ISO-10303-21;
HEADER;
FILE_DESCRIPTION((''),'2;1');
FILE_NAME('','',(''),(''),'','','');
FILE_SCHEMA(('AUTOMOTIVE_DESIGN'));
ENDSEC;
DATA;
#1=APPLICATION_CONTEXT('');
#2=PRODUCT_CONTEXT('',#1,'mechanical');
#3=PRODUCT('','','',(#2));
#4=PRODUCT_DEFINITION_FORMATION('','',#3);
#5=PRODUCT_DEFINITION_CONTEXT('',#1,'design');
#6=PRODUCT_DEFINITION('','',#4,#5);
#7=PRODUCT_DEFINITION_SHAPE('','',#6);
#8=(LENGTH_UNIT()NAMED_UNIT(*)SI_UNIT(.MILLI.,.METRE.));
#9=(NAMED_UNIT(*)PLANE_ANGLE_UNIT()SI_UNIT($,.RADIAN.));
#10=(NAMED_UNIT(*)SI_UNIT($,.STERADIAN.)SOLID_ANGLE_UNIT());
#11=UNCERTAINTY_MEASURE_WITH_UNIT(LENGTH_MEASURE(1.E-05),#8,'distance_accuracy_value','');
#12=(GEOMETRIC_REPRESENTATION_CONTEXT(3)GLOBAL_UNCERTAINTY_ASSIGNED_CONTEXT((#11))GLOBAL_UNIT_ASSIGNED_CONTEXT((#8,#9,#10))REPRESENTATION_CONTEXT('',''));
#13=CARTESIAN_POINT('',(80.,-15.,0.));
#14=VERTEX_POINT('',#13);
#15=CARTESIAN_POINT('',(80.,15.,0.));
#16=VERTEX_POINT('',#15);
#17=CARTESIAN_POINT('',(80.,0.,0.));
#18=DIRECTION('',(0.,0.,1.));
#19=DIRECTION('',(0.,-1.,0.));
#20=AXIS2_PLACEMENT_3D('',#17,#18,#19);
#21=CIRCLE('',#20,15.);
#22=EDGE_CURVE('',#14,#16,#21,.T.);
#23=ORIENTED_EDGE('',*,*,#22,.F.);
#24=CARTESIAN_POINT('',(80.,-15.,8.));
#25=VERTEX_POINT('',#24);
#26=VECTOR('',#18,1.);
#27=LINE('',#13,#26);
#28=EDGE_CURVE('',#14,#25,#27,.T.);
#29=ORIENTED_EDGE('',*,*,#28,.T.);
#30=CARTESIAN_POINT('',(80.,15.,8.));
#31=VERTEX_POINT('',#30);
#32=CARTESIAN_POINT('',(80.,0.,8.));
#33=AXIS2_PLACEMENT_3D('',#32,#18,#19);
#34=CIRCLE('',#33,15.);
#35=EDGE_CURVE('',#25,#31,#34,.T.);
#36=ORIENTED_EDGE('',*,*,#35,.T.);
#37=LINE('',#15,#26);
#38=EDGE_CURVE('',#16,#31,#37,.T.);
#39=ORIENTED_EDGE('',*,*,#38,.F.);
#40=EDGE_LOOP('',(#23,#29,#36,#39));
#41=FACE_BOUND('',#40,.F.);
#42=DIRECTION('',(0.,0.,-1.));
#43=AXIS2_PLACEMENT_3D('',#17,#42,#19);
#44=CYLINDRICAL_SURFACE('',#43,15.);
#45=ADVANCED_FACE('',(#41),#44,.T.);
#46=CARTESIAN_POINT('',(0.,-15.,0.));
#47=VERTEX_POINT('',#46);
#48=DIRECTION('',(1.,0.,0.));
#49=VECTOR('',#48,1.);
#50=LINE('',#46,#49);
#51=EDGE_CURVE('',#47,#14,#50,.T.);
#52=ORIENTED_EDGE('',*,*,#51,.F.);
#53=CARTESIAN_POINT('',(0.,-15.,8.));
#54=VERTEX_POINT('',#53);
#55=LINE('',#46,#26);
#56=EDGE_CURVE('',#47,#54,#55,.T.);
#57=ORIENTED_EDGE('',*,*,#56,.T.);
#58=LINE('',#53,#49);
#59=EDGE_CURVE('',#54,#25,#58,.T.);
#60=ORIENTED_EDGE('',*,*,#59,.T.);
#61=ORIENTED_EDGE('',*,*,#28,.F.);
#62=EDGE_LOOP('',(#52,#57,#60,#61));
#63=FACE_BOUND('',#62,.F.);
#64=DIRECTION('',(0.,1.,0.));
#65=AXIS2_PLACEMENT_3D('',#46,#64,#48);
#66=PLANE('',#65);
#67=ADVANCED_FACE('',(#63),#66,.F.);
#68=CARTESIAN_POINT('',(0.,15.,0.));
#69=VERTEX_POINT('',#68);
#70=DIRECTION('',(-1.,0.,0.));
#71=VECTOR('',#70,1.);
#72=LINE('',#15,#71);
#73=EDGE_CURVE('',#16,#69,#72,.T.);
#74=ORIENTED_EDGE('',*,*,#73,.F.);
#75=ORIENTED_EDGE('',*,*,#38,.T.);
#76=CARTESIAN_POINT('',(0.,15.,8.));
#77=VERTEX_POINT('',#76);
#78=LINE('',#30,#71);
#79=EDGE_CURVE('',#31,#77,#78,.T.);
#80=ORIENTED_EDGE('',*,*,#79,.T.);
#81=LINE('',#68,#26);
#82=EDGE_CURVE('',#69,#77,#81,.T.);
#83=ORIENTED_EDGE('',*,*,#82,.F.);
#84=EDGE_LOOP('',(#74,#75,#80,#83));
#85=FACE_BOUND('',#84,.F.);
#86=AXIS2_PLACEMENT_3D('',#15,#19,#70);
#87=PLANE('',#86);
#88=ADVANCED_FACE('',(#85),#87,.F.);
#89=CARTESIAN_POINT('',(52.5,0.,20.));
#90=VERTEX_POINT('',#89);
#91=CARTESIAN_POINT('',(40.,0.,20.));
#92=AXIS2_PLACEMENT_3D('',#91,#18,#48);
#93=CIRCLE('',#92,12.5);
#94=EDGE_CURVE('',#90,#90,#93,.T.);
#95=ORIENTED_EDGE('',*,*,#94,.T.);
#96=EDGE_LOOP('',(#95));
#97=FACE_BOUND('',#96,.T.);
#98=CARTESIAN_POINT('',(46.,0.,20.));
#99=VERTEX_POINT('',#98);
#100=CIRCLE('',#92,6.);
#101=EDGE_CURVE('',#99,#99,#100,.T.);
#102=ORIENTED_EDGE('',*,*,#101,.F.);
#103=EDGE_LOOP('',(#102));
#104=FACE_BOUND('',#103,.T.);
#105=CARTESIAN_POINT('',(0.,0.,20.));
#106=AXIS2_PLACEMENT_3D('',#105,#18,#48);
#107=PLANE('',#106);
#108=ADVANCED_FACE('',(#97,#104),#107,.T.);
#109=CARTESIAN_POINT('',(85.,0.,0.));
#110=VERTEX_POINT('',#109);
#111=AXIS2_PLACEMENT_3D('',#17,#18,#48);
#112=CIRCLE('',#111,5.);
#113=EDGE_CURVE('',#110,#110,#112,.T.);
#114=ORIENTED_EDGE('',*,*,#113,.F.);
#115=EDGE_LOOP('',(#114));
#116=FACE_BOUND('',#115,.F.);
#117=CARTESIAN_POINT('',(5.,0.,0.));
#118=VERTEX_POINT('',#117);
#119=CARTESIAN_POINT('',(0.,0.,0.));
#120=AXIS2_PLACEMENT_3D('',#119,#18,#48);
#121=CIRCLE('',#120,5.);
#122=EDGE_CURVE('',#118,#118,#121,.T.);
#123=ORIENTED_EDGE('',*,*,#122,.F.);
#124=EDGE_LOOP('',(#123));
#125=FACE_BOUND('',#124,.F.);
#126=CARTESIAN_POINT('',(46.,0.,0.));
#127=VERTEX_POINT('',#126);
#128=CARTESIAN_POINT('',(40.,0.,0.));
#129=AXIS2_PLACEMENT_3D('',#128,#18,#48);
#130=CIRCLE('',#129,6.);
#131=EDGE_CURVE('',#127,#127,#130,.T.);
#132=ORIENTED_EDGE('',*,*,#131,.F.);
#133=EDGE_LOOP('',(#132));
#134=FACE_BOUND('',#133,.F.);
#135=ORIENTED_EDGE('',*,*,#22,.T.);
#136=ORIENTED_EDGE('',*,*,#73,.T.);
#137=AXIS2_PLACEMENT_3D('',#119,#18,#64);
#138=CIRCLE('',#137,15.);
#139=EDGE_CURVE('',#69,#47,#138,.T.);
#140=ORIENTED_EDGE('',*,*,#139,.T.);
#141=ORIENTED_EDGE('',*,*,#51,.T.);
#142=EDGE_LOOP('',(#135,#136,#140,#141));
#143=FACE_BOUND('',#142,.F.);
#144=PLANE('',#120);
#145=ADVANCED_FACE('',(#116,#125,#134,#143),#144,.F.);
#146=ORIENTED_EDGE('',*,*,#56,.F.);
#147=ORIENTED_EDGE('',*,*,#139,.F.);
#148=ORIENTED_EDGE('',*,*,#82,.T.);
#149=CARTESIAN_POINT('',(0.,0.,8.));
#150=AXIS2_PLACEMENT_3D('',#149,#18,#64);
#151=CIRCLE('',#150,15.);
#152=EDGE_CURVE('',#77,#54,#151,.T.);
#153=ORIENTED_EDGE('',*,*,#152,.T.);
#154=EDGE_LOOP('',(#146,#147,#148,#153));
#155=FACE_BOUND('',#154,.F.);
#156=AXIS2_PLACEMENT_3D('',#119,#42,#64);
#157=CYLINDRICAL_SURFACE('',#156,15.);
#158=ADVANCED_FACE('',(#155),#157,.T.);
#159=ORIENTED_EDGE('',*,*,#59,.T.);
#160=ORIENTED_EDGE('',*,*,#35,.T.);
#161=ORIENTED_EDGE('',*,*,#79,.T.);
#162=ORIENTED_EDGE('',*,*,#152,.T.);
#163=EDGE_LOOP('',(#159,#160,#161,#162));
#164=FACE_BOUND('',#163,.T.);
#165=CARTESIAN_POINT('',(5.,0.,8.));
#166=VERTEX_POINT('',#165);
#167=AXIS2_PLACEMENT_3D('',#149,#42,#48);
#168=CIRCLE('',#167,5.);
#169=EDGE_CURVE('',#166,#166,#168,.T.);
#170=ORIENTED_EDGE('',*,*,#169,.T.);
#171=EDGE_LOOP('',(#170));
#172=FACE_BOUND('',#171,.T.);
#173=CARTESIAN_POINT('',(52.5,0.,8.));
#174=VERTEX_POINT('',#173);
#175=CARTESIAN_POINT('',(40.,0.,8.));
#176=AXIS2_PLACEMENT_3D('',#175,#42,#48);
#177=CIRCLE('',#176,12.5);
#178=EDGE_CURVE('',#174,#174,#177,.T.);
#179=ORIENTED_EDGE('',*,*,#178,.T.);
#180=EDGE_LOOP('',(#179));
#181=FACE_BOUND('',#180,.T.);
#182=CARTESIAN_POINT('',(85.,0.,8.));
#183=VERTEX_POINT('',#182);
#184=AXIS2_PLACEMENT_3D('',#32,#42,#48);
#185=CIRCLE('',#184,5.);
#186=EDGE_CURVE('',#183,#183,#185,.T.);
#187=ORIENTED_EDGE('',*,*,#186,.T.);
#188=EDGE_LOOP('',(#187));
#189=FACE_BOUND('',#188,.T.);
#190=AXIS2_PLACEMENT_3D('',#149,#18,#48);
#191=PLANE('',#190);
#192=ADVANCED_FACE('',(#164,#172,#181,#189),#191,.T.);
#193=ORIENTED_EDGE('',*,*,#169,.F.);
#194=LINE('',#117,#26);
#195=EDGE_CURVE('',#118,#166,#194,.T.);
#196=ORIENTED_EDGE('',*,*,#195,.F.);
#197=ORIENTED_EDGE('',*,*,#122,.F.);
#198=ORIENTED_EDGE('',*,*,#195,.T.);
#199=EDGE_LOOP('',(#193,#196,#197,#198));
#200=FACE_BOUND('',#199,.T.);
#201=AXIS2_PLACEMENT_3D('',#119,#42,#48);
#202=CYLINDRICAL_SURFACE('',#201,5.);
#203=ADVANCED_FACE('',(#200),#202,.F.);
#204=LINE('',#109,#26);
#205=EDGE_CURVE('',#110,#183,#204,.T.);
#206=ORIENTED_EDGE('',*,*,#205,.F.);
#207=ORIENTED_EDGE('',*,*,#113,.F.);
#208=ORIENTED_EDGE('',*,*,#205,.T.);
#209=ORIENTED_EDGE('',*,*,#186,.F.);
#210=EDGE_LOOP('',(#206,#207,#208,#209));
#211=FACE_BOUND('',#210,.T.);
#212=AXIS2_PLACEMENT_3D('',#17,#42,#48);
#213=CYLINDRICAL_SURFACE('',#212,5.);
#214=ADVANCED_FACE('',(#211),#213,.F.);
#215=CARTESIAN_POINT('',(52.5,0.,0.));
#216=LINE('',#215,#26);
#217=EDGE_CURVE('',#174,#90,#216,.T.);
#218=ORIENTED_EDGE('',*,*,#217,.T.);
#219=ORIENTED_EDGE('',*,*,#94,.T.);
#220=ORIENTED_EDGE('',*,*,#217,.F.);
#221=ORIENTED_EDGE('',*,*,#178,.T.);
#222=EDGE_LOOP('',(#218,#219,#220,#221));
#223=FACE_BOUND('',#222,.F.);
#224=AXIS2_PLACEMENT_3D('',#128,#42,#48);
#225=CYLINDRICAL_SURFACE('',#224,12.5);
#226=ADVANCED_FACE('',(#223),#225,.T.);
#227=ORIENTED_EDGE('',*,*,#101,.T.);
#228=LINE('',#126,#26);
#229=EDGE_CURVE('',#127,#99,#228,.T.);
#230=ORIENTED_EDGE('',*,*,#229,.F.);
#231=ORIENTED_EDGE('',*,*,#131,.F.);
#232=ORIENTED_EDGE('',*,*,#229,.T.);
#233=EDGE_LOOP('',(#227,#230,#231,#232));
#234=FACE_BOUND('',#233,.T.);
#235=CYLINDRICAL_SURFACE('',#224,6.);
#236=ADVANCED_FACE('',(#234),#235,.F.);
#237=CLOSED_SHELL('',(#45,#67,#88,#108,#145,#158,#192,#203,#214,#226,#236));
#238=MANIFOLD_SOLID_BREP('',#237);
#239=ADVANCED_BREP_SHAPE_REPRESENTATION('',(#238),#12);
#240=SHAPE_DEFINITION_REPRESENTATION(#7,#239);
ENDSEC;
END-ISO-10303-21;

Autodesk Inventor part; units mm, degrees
ref_plane "YZ Plane" through (0, 0, 0) normal (1, 0, 0) x (0, 1, 0)
ref_plane "XZ Plane" through (0, 0, 0) normal (0, 1, 0) x (-1, 0, 0)
ref_plane "XY Plane" through (0, 0, 0) normal (0, 0, 1) x (1, 0, 0)
sketch "Эскиз1" plane through (0, 0, 0) normal (0, 0, 1) x (1, 0, 0)
  line L0 (0, 0) -> (80, 0) construction
  line L1 (0, -15) -> (80, -15)
  line L2 (80, 15) -> (0, 15)
  arc A0 (0, 15) -> (0, -15) centre (0, 0) ccw
  arc A1 (80, -15) -> (80, 15) centre (80, 0) ccw
  circle A2 centre (40, 0) radius 12.5
  circle A3 centre (80, 0) radius 5
  circle A4 centre (0, 0) radius 5
  circle A5 centre (40, 0) radius 6
  dimension "d0" = 80
  dimension "d1" = 30
  dimension "d4" = 25
  dimension "d5" = 10
  dimension "d6" = 10
  dimension "d7" = 12
extrude "Выдавливание1" add sketch "Эскиз1" along normal blind 8 contours A0 L2 A1 L1 | A2 | A3 | A4 | A5
extrude "Выдавливание2" cut sketch "Эскиз1" along normal up to next contours A5
extrude "Выдавливание3" add sketch "Эскиз1" along normal blind 20 contours A2
extrude "Выдавливание4" cut sketch "Эскиз1" along normal up to next contours A3 | A4
equation "\"Радиус_гибки\" = Толщина"
equation "\"Ширина_просечки\" = Толщина"
equation "\"Глубина_просечки\" = 0.5 * Толщина"
equation "\"Размер_просечки\" = 4 * Толщина"
equation "\"Мин_остаток\" = 2 * Толщина"
equation "\"Радиус_перехода\" = Радиус_гибки"
equation "\"Радиус_Якоби\" = Радиус_гибки"
equation "\"Размер_зазора\" = Толщина"
equation "\"Толщина\" = 8"
properties part number "Крышка" material "Сталь"
